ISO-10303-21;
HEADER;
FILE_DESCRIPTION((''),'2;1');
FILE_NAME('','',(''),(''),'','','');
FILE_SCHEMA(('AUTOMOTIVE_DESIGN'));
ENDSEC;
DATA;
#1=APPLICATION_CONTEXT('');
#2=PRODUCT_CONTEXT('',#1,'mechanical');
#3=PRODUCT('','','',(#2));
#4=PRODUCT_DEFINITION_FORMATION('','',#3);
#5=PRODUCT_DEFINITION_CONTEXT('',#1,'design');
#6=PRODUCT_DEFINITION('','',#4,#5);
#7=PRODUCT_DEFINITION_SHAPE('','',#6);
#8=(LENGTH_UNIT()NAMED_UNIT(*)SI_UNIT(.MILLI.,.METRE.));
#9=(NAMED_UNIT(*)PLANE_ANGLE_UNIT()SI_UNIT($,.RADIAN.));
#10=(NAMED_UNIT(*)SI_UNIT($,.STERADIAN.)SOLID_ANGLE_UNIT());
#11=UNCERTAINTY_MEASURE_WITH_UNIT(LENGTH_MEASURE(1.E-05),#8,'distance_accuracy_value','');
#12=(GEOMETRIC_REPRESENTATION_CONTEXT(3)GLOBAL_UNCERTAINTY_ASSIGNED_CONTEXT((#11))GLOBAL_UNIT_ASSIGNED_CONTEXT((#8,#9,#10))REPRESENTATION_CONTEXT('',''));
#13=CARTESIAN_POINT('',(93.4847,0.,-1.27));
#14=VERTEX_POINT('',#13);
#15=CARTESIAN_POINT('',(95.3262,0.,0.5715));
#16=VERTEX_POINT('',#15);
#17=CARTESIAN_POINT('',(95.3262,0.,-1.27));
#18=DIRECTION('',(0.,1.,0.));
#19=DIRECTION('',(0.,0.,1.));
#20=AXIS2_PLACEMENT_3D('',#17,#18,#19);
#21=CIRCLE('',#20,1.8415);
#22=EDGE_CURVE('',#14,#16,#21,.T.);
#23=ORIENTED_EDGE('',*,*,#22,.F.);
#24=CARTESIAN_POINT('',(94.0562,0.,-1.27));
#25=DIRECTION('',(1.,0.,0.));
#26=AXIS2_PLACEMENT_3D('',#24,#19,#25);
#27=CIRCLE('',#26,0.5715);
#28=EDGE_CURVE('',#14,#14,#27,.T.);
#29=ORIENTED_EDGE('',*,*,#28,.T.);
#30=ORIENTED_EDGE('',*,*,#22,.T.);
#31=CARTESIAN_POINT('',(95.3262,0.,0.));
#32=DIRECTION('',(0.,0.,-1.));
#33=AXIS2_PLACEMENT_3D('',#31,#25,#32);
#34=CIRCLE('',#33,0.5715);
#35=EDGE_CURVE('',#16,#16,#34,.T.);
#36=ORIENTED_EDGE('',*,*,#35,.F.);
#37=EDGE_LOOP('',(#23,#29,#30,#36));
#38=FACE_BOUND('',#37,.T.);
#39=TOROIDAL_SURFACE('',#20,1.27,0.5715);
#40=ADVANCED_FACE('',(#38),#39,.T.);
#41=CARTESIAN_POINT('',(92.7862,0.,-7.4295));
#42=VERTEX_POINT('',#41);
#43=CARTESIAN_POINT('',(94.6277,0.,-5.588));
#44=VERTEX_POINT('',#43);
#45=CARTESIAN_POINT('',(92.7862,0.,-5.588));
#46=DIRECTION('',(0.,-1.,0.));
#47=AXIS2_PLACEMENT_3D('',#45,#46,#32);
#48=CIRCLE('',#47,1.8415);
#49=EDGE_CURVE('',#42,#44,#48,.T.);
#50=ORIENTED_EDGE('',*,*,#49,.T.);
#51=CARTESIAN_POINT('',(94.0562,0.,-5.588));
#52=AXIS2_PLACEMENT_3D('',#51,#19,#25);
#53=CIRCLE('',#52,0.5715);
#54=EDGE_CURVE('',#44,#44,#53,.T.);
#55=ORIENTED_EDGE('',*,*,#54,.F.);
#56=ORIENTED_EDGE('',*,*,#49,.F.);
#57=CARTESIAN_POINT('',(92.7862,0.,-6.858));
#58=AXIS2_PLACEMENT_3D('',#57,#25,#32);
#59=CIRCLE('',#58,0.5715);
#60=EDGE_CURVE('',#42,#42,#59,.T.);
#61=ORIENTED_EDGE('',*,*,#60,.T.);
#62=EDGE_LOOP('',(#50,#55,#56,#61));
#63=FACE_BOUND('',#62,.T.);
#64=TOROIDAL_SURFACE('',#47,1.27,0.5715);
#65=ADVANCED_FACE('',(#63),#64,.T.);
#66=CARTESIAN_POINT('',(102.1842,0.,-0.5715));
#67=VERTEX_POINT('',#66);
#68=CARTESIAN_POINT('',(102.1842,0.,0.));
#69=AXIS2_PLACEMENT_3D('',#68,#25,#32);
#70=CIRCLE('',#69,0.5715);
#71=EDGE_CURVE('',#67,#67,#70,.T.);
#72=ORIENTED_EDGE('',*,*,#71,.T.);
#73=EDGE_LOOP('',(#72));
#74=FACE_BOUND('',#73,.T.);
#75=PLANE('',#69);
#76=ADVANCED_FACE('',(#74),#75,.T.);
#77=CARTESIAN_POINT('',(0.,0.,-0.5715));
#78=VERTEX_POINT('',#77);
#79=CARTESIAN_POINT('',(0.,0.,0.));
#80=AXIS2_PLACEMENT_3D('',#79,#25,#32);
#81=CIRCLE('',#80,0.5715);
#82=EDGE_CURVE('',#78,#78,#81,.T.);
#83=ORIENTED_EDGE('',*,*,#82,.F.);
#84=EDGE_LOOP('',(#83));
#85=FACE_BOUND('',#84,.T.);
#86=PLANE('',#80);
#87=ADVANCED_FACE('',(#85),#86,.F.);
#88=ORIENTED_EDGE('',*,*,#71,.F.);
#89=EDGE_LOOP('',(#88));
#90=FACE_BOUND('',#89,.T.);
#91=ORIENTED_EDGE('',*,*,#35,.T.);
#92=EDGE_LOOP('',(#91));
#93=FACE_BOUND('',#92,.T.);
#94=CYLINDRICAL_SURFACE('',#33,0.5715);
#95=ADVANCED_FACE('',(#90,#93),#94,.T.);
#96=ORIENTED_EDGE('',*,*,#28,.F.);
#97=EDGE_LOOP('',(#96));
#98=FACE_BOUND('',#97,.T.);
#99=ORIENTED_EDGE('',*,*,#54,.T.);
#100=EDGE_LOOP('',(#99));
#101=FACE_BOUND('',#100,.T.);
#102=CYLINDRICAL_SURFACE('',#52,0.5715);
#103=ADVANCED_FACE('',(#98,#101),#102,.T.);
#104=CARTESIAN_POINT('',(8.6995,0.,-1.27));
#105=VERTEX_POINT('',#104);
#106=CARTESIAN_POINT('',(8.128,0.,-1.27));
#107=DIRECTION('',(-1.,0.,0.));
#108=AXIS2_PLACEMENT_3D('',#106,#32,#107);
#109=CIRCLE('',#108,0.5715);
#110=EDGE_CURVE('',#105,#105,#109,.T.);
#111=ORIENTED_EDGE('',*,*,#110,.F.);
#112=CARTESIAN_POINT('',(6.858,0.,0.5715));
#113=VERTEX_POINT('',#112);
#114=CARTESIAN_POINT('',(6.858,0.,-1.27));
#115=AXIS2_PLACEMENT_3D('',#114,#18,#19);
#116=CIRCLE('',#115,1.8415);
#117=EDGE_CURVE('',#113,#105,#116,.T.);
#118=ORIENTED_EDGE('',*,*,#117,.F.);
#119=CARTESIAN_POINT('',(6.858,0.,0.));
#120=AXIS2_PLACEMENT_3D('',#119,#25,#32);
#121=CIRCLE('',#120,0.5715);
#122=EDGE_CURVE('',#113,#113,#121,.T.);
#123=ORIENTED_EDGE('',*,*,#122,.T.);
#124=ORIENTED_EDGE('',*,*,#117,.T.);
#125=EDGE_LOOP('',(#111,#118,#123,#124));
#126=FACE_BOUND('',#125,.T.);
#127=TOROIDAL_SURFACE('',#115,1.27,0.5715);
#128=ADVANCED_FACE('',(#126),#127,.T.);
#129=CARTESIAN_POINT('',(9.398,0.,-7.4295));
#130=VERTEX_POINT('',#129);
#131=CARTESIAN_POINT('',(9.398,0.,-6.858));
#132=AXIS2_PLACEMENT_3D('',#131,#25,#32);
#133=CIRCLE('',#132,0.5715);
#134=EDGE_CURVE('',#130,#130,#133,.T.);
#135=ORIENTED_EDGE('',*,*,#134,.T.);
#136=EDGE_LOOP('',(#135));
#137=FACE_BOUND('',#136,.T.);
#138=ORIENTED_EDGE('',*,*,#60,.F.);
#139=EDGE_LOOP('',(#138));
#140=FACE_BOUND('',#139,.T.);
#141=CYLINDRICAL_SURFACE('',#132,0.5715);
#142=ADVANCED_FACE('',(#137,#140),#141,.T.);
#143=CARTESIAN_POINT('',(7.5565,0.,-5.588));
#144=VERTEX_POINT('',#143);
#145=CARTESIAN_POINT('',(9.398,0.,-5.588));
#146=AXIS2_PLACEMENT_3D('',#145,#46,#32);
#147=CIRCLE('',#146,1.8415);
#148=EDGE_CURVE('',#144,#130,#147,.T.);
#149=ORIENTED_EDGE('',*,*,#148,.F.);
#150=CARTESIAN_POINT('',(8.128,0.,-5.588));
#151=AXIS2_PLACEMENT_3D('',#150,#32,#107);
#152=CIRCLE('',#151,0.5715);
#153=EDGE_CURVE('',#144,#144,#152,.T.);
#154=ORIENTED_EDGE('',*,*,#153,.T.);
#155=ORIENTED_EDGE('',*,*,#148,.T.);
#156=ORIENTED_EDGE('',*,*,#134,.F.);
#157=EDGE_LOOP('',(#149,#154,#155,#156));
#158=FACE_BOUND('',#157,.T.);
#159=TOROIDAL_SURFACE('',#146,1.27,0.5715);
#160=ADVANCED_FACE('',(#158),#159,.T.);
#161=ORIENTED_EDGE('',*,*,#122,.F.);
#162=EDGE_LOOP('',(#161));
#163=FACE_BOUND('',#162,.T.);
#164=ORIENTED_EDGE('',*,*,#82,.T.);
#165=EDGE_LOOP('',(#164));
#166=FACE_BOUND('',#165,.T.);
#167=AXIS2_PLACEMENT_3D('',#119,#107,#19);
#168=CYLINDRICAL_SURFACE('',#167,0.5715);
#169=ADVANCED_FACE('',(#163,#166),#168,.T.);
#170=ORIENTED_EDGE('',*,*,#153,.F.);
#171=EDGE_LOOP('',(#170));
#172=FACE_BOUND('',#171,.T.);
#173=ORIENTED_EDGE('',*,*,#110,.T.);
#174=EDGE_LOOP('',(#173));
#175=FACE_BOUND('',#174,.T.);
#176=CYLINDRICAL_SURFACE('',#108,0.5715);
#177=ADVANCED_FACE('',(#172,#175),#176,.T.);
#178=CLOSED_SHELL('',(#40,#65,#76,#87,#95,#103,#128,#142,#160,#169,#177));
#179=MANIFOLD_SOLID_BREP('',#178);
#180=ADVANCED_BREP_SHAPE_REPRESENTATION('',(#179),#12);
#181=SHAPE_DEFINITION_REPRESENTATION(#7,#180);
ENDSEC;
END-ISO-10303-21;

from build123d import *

# Parameters (mm, degrees)
SKETCH2_R = 0.5715


with BuildPart() as part:
    # Sweep1: sweep along a path in Sketch1
    with BuildLine(Plane(origin=(0, 0, 0), x_dir=(1, 0, 0), z_dir=(0, 1, 0))) as sweep1_path:
        Line((0, 0), (6.858, 0))
        ThreePointArc((6.858, 0), (7.756025612, 0.371974388), (8.128, 1.27))
        Line((8.128, 1.27), (8.128, 5.588))
        ThreePointArc((8.128, 5.588), (8.499974388, 6.486025612), (9.398, 6.858))
        Line((9.398, 6.858), (92.7862, 6.858))
        ThreePointArc((92.7862, 6.858), (93.684225612, 6.486025612), (94.0562, 5.588))
        Line((94.0562, 5.588), (94.0562, 1.27))
        ThreePointArc((94.0562, 1.27), (94.428174388, 0.371974388), (95.3262, 0))
        Line((95.3262, 0), (102.1842, 0))
    # Sketch2 → Sweep1 (sweep)
    with BuildSketch(Plane(origin=(0, 0, 0), x_dir=(0, 0, -1), z_dir=(1, 0, 0))):
        Circle(SKETCH2_R)
    sweep(path=sweep1_path.line)


solid = part.part
